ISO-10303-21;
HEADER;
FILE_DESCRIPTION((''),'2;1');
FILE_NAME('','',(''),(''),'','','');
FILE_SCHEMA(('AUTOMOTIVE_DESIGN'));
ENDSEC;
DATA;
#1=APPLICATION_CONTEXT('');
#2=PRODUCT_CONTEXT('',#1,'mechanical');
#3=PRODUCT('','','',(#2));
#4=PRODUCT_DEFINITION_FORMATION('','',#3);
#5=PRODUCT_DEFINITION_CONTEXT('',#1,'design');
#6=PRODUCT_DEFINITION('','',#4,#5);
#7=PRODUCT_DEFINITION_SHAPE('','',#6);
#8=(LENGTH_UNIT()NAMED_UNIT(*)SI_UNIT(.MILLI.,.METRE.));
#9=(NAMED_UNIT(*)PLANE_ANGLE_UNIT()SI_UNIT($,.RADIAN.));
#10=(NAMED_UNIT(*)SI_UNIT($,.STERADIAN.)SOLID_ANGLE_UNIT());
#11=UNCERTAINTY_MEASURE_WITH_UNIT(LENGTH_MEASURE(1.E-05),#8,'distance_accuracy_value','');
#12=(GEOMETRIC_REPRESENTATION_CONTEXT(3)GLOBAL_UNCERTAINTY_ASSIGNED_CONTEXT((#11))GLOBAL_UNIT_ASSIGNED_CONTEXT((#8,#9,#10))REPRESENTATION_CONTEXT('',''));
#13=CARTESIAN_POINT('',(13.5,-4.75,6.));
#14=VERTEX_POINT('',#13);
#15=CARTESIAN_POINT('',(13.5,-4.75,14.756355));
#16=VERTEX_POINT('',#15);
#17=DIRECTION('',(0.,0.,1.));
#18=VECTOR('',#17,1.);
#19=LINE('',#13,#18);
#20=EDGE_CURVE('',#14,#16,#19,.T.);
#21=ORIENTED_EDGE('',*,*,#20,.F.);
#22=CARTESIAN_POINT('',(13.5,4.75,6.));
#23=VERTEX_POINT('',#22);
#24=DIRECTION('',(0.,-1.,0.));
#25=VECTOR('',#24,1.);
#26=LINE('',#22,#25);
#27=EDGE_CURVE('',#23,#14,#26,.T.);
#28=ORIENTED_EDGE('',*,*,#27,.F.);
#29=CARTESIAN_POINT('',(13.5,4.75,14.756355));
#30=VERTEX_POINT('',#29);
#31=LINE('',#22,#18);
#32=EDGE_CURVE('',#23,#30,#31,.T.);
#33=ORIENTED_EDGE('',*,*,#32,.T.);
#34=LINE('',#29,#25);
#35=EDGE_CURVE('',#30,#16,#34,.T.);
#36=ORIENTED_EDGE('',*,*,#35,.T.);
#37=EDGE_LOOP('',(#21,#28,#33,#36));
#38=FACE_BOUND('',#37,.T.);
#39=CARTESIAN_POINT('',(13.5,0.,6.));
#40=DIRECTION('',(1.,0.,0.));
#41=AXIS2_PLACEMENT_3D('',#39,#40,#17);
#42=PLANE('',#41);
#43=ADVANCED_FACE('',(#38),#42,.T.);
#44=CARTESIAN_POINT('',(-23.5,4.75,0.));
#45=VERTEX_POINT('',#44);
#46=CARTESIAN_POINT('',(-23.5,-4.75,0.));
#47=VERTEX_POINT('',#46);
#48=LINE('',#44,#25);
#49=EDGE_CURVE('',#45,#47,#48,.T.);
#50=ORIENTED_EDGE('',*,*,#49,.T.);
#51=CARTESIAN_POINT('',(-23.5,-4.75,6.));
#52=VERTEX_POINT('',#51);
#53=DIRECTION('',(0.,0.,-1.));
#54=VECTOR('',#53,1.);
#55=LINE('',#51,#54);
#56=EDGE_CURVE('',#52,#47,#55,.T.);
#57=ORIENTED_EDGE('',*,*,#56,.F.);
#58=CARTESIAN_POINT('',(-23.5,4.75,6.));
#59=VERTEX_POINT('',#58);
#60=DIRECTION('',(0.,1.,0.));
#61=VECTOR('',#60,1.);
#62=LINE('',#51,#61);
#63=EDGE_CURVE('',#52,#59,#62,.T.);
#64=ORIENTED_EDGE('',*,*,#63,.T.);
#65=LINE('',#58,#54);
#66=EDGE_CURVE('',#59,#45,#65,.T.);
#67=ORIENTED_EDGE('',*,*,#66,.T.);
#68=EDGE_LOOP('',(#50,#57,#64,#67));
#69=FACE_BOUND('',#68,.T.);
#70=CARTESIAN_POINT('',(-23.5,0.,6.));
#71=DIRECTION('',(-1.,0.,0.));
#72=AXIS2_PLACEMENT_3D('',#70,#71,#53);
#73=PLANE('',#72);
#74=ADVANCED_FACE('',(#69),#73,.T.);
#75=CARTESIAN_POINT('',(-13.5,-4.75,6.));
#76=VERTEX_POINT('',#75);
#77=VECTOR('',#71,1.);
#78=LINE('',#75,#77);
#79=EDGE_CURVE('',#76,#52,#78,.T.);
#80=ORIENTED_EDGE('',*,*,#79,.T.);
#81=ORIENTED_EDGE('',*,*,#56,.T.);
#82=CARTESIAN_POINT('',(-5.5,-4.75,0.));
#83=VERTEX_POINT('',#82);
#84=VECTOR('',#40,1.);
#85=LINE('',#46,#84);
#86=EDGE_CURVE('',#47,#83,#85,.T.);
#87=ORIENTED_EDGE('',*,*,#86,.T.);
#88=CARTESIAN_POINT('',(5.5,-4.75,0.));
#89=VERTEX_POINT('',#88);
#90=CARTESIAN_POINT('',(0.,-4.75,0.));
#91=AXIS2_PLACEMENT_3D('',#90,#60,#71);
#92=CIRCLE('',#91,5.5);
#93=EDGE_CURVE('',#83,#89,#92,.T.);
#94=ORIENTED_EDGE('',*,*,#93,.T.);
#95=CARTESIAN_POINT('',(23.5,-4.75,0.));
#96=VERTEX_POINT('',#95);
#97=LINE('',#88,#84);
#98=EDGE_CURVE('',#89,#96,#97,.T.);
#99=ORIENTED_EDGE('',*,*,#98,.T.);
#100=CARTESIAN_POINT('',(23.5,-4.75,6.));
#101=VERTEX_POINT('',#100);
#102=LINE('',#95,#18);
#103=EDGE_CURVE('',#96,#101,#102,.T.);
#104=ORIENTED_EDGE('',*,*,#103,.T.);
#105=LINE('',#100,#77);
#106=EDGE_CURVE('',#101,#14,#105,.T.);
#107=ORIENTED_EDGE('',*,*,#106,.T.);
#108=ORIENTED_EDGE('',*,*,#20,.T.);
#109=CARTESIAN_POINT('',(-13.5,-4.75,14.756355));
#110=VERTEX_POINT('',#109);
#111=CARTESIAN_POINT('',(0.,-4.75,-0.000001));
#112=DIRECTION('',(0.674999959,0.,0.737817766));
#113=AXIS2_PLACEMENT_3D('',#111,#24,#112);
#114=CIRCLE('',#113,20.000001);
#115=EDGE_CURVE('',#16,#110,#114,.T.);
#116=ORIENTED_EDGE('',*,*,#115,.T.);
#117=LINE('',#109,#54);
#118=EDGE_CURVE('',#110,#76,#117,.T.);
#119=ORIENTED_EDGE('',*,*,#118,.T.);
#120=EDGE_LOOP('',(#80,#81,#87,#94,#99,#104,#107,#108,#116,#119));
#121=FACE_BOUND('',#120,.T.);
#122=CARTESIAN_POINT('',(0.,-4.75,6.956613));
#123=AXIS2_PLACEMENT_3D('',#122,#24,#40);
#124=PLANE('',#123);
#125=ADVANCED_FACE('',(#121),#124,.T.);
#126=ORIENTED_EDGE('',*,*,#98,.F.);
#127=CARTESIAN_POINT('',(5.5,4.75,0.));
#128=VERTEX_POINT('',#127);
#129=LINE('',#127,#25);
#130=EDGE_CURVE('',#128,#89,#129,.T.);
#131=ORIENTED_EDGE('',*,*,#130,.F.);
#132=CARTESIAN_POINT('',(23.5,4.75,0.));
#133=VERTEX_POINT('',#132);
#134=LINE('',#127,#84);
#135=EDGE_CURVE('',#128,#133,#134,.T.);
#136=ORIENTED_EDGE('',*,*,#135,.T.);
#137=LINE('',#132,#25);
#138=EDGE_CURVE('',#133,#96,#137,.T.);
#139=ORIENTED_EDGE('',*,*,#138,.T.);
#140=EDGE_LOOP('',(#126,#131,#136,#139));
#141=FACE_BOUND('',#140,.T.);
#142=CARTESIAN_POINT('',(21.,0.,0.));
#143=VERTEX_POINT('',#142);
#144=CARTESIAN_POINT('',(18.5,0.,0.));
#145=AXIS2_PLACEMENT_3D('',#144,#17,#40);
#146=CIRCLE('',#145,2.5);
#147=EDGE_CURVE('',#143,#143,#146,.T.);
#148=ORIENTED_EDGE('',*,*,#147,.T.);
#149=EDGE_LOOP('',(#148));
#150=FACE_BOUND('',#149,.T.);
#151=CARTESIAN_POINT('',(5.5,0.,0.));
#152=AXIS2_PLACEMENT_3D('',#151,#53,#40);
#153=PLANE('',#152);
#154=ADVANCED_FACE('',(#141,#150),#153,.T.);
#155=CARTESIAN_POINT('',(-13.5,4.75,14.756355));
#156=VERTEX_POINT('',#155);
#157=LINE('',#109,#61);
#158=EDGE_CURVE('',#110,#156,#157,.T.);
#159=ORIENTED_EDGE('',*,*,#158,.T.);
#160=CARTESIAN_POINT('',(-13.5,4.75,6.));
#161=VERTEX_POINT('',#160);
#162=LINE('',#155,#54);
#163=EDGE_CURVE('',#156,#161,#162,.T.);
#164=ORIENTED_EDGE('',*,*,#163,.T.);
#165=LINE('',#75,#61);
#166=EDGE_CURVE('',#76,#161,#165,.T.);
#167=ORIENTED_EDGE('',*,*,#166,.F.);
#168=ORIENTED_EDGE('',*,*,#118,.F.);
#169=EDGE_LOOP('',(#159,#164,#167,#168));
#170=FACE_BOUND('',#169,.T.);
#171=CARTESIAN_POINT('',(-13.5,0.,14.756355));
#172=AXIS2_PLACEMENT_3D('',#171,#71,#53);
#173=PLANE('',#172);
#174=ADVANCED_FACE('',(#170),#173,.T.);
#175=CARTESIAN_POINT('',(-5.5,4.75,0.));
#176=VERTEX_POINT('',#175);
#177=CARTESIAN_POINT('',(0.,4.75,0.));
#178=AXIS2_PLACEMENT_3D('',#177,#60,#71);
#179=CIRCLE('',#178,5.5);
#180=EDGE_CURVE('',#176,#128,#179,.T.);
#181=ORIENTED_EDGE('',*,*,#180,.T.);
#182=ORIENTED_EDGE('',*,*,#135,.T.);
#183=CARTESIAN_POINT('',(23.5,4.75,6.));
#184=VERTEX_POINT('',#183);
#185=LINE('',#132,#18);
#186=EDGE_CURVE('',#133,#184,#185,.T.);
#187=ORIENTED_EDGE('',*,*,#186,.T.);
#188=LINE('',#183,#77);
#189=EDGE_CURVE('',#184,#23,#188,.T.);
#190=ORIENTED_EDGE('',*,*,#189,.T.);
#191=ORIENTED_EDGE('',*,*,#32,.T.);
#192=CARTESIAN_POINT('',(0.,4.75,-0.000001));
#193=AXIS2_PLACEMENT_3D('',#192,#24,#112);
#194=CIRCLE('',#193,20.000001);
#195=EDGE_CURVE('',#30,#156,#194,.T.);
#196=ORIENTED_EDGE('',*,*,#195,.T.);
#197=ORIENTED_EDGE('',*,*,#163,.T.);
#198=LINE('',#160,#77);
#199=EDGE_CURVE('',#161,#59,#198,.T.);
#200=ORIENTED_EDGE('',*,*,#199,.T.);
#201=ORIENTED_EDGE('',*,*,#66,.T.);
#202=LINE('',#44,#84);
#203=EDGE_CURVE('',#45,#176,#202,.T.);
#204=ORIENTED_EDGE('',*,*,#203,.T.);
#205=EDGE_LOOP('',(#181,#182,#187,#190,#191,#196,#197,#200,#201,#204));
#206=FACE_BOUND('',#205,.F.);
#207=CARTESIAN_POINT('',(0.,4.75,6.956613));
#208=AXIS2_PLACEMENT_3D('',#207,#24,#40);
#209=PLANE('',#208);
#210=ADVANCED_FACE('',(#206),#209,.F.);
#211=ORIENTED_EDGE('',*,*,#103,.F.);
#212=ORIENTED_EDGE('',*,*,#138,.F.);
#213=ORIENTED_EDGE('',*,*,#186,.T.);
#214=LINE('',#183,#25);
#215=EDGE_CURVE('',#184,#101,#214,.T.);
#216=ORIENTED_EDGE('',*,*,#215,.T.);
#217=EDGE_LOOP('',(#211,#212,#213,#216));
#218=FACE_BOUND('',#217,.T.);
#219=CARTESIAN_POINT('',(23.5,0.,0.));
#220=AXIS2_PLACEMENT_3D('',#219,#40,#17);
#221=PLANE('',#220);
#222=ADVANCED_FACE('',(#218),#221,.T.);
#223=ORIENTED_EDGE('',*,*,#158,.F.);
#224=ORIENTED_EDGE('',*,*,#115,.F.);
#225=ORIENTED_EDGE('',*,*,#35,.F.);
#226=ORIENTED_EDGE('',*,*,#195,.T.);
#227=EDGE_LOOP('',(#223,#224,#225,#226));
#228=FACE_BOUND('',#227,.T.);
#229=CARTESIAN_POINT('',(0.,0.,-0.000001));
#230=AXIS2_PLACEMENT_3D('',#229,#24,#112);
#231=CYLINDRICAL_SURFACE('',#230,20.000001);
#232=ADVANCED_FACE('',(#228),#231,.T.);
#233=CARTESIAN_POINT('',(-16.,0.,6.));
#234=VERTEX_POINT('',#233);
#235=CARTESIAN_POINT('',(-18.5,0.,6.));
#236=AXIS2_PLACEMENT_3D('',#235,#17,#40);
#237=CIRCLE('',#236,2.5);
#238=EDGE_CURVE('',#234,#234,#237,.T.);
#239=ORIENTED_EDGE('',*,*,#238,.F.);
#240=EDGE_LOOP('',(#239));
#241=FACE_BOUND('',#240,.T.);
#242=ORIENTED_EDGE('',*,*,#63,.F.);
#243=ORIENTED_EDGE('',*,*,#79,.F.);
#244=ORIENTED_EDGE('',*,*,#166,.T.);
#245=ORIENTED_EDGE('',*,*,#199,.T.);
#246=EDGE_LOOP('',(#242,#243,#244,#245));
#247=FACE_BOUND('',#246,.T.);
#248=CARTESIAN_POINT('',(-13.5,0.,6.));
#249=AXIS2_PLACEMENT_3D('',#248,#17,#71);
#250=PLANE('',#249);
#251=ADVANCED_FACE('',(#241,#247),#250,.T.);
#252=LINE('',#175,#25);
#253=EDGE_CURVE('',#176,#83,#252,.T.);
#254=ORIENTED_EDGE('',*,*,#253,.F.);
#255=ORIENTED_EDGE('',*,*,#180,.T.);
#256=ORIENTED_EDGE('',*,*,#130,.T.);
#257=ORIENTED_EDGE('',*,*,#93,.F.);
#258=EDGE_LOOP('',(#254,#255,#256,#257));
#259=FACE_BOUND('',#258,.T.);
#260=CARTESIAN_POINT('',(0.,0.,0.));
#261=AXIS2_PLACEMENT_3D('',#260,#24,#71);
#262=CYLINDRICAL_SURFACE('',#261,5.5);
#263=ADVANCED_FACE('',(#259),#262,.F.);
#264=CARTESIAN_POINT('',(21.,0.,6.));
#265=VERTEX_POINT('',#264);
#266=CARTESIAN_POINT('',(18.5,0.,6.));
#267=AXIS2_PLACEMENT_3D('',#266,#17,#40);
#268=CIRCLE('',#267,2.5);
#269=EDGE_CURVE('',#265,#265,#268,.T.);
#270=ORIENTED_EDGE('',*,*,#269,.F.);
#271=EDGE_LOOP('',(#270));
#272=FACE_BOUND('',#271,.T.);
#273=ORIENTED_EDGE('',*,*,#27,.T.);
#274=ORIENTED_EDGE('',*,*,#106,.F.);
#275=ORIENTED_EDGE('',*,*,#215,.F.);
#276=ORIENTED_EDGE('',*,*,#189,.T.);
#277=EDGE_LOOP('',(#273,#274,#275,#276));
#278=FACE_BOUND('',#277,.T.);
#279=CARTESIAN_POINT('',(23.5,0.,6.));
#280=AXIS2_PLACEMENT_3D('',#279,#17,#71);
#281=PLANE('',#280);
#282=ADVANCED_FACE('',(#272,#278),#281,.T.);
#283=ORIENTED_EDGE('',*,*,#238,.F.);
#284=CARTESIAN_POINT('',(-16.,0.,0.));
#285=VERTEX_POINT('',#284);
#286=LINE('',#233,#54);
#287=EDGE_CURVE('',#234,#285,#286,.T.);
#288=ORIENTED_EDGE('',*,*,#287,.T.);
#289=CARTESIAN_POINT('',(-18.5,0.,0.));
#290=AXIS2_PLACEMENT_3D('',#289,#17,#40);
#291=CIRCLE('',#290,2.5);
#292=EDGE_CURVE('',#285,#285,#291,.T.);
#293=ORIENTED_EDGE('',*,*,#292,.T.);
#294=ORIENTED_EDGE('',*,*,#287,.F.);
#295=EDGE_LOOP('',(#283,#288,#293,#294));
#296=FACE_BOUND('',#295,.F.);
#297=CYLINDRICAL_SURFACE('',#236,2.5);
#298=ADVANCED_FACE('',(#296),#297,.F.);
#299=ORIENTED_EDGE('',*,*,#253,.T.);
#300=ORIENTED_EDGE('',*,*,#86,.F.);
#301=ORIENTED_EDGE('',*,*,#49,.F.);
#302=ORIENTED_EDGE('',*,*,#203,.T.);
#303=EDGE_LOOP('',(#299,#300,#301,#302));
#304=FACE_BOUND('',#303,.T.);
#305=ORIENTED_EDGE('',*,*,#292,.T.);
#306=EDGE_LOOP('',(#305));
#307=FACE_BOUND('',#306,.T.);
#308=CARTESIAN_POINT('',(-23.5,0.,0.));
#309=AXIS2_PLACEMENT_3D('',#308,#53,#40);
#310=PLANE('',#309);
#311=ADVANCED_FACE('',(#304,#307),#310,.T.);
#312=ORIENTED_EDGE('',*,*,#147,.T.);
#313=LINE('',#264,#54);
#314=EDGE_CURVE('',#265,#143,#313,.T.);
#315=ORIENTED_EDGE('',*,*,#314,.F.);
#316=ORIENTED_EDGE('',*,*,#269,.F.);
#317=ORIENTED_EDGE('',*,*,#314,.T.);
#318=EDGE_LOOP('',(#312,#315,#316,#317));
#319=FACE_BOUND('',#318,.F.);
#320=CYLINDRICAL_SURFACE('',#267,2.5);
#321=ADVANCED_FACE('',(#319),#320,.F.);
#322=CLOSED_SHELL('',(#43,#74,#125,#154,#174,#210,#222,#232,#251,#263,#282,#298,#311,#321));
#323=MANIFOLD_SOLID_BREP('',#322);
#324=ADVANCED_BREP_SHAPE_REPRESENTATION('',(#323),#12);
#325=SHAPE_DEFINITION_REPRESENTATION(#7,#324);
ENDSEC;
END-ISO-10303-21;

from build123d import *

# Parameters (mm, degrees)
F1_DEPTH = 4.75
F2_R     = 2.5
F3_DEPTH = 6.001


with BuildPart() as f1:
    # F0 (on Front) → F1 (new body, symmetric)
    with BuildSketch(Plane.XZ):
        with BuildLine():
            Line((-23.5, 6), (-23.5, 0))
            Line((-23.5, 0), (-5.5, 0))
            ThreePointArc((-5.5, 0), (0, 5.5), (5.5, 0))
            Line((5.5, 0), (23.5, 0))
            Line((23.5, 0), (23.5, 6))
            Line((23.5, 6), (13.5, 6))
            Line((13.5, 6), (13.5, 14.756355))
            ThreePointArc((13.5, 14.756355), (0, 20), (-13.5, 14.756355))
            Line((-13.5, 14.756355), (-13.5, 6))
            Line((-13.5, 6), (-23.5, 6))
        make_face()
    extrude(amount=F1_DEPTH, both=True)

    # F2 (on face) → F3 (cut, through all)
    with BuildSketch(Plane.XY.offset(6)):
        with Locations((-18.5, 0)):
            Circle(F2_R)
        with Locations((18.5, 0)):
            Circle(F2_R)
    extrude(amount=-F3_DEPTH, mode=Mode.SUBTRACT)


solid = f1.part
